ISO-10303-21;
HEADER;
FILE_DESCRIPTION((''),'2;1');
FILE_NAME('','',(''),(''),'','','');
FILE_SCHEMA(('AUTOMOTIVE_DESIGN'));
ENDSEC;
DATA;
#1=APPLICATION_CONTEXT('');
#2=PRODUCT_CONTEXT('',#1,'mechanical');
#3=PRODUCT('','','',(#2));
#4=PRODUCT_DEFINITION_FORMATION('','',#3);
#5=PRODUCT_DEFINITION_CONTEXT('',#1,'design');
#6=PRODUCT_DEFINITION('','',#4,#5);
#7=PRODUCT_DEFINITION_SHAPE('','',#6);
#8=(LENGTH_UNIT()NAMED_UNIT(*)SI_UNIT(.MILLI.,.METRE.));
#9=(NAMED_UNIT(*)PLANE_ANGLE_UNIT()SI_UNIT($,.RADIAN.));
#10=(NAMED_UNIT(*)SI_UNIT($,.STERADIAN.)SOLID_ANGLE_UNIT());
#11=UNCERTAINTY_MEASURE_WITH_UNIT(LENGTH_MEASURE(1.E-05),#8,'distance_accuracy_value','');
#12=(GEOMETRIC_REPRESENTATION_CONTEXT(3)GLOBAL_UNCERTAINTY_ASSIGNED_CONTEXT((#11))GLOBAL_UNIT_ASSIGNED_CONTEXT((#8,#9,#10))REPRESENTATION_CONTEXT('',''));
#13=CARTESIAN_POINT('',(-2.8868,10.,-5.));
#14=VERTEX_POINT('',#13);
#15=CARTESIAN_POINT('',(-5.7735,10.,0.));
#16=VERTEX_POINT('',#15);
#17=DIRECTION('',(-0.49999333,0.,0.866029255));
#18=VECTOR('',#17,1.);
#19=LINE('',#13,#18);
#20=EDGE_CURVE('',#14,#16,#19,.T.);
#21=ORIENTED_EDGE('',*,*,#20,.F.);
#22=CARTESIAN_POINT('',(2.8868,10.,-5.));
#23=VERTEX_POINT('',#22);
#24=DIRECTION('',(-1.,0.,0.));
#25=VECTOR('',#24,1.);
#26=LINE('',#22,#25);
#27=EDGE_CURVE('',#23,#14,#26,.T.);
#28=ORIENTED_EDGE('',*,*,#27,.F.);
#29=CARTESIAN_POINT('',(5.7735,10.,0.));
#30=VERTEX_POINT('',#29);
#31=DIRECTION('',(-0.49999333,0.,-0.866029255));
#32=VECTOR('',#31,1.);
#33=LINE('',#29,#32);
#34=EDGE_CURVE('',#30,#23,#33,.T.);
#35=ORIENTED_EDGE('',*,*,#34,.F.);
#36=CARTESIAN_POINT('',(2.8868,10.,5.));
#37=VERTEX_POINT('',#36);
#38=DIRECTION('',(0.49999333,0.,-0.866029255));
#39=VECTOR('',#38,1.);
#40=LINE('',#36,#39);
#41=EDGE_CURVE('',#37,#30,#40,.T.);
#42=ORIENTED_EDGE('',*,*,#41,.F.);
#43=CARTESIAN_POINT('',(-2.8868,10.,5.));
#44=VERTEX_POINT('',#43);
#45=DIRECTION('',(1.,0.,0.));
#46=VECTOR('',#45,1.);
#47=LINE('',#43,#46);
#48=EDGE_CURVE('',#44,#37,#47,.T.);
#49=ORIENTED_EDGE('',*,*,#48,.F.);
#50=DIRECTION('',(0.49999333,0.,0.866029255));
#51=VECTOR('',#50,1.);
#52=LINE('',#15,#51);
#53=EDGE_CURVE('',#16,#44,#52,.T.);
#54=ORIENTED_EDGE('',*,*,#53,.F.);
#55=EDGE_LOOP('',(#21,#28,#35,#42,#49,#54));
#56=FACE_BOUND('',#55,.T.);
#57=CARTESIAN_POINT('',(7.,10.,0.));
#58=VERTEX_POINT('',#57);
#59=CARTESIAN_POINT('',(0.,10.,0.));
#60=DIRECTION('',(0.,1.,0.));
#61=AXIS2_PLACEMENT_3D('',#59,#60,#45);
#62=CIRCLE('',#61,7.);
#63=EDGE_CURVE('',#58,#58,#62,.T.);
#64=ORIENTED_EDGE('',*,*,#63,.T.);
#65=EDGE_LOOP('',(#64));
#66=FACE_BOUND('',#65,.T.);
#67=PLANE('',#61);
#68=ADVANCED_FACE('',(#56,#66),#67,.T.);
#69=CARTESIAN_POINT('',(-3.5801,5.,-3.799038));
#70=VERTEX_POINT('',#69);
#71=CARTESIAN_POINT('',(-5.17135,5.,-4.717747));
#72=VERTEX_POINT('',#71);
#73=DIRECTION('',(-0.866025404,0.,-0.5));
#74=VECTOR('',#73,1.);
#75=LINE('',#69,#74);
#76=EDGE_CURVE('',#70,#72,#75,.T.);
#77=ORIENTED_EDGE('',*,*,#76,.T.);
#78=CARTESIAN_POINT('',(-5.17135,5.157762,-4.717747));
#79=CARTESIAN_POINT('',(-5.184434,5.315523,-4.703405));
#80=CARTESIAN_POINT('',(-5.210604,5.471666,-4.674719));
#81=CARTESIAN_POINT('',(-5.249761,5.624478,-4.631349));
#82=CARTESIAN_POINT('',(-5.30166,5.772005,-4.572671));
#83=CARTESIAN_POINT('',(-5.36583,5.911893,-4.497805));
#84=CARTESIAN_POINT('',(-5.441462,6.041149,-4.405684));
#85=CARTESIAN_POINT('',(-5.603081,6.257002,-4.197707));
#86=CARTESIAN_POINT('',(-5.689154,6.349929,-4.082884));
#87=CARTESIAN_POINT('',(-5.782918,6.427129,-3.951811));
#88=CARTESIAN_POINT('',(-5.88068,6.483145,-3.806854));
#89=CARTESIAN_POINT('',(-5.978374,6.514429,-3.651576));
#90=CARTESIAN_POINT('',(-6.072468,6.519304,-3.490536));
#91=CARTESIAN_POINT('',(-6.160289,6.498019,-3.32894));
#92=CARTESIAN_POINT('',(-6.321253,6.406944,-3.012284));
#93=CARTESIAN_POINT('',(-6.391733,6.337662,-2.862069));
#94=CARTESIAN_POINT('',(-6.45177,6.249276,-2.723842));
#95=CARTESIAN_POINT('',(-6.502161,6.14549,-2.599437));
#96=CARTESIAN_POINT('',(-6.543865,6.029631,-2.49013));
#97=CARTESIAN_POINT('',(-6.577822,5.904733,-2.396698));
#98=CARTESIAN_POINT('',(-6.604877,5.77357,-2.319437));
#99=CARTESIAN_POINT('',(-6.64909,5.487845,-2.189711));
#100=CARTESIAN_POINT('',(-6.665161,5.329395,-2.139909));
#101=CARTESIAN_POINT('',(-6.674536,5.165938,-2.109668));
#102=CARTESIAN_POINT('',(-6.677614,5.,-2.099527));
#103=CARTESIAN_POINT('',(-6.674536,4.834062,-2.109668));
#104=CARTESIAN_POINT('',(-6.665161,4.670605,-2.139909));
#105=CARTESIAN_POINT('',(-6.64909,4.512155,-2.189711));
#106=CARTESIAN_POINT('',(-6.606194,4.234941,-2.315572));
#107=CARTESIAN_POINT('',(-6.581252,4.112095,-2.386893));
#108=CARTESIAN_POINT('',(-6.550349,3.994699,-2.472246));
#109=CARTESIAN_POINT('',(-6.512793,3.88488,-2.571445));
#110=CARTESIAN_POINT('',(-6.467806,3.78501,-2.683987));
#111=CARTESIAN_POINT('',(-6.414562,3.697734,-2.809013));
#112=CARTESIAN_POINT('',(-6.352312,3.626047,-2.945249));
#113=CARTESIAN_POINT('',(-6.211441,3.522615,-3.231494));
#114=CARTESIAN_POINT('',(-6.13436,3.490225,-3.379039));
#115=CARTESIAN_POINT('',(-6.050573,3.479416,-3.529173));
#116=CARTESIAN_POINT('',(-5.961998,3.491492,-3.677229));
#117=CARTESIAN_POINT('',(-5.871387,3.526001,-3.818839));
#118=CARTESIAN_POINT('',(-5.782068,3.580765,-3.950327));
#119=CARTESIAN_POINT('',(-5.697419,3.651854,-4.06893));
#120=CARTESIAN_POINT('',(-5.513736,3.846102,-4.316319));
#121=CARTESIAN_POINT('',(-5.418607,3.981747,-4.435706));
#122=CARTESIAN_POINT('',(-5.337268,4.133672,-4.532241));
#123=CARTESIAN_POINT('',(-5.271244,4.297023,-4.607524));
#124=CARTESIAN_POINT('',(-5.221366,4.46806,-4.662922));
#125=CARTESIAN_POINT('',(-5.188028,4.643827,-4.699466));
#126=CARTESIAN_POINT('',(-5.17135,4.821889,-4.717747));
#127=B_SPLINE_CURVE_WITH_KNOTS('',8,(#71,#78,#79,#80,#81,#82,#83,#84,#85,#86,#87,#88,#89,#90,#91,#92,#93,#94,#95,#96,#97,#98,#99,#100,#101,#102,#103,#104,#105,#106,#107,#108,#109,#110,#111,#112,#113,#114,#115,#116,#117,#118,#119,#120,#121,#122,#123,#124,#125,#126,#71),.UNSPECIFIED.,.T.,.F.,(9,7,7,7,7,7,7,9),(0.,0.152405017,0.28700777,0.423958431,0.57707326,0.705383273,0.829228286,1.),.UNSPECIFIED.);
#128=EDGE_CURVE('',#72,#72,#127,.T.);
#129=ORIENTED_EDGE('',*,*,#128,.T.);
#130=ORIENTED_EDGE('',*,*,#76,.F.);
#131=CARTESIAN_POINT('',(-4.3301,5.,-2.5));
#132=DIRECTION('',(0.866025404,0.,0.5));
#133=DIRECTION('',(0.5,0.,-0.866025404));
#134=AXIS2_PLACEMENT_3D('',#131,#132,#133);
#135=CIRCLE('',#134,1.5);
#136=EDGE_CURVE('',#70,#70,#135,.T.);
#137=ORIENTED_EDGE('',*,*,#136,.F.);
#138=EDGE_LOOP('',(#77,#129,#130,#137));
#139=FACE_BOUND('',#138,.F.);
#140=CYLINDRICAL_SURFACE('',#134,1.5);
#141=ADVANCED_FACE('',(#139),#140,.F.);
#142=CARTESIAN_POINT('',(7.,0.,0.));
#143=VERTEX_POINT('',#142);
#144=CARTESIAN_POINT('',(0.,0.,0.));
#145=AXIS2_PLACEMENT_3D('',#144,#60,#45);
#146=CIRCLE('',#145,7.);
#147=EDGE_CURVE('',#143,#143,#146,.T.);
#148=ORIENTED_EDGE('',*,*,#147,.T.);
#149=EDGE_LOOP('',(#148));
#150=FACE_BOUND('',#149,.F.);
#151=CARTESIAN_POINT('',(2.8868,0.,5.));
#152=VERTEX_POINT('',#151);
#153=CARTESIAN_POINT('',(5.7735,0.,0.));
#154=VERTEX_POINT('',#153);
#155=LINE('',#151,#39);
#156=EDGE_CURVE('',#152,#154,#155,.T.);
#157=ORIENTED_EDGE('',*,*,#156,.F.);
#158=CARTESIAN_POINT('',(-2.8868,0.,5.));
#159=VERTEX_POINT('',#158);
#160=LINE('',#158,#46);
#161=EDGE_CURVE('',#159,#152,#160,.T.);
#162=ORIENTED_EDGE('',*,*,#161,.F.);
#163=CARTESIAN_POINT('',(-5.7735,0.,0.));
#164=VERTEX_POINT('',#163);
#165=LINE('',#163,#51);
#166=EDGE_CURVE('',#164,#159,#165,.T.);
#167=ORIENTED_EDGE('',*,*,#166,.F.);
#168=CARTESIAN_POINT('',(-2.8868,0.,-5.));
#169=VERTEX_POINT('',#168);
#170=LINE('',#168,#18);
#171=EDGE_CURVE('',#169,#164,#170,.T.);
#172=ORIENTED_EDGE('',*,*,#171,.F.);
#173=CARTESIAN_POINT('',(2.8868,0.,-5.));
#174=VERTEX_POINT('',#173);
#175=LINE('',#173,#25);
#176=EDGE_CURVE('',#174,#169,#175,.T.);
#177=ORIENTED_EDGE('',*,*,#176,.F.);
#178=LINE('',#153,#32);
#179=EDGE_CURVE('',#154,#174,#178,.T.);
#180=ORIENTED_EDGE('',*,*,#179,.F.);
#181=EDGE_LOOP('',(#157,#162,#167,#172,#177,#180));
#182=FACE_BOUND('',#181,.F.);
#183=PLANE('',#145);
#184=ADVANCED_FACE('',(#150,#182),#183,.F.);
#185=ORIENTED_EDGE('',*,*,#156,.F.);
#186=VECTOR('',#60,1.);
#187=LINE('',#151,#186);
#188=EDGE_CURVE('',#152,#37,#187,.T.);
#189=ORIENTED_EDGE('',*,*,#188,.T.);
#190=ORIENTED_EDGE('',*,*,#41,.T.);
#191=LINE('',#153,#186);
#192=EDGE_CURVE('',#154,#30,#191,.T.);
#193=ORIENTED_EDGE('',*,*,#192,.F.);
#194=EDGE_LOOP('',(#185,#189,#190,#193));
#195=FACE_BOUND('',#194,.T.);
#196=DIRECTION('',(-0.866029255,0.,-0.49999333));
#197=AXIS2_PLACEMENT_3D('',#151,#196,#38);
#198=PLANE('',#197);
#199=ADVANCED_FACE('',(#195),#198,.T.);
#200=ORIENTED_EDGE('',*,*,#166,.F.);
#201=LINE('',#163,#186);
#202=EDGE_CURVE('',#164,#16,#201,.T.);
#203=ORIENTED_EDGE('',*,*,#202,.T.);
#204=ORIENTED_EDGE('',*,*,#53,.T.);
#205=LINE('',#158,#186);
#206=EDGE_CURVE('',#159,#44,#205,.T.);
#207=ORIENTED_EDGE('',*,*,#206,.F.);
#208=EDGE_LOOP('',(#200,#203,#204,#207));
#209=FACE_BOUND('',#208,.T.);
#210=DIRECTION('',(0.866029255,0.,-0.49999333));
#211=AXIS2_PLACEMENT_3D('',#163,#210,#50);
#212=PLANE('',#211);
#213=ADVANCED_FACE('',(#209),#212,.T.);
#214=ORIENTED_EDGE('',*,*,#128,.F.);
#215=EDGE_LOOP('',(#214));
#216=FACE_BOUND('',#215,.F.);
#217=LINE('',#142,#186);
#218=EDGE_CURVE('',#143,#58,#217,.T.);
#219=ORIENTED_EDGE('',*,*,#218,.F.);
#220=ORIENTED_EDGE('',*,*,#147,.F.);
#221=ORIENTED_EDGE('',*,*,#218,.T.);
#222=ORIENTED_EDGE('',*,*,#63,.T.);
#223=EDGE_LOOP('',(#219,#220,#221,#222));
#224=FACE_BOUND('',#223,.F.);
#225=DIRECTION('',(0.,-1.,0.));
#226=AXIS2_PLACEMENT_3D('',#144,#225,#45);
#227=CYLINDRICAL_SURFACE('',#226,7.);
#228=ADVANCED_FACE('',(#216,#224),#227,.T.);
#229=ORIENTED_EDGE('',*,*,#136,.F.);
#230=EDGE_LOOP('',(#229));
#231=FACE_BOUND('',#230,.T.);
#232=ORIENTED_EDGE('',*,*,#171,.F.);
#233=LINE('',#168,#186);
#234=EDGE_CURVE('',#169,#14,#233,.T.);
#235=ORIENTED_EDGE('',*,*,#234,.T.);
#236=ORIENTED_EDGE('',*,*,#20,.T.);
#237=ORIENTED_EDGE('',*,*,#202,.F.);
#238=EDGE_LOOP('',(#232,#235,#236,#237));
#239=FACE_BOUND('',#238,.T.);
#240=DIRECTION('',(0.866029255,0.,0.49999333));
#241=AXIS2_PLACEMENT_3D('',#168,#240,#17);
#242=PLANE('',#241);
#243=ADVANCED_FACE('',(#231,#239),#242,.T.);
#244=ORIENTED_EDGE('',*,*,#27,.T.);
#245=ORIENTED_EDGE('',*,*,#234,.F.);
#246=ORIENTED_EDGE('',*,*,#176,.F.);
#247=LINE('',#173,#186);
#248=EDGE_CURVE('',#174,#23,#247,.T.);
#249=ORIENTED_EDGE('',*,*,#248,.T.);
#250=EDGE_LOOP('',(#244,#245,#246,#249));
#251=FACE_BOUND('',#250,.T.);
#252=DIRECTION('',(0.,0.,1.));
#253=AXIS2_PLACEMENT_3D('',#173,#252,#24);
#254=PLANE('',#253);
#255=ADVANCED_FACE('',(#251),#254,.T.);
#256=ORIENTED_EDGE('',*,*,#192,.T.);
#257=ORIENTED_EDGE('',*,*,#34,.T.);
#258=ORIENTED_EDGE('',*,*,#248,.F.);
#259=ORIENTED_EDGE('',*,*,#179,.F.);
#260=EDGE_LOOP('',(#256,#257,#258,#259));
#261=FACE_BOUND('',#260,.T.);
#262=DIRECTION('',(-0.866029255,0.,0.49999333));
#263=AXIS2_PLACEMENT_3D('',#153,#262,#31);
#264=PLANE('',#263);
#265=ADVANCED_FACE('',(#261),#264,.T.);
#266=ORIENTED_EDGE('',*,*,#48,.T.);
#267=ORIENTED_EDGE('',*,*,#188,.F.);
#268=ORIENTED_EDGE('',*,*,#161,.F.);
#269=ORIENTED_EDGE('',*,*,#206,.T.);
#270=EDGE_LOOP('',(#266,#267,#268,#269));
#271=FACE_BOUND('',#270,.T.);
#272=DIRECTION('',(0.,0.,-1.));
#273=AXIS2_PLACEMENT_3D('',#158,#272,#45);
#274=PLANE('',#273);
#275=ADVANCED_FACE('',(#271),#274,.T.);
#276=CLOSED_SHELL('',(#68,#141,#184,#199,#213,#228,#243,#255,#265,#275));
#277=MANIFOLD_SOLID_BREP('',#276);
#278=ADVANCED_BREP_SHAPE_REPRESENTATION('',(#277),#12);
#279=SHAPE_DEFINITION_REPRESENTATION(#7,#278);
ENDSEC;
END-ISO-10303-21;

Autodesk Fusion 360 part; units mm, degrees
sketch "Sketch1" plane through (0, 0, 0) normal (0, 1, 0) x (1, 0, 0)
  line L0 (-2.8868, 5) -> (-5.7735, 0)
  line L1 (-5.7735, 0) -> (-2.8868, -5)
  line L2 (-2.8868, -5) -> (2.8868, -5)
  line L3 (2.8868, -5) -> (5.7735, 0)
  line L4 (5.7735, 0) -> (2.8868, 5)
  line L5 (2.8868, 5) -> (-2.8868, 5)
  circle A0 centre (0, 0) radius 7
  dimension "d1" = 5
  dimension "d2" = 14
extrude "Extrude1" add sketch "Sketch1" along normal blind 10
sketch "Sketch2" plane through (-4.3301, 0, -2.5) normal (0.866, 0, 0.5) x (0.5, 0, -0.866)
  line L0 (-2.8868, 0) -> (2.8868, 0)
  line L1 (2.8868, 0) -> (2.8868, 10)
  line L2 (2.8868, 10) -> (-2.8868, 10)
  line L3 (-2.8868, 10) -> (-2.8868, 0)
  circle A0 centre (0, 5) radius 1.5
  dimension "d5" = 3
  dimension "d6" = 5
extrude "Extrude2" cut sketch "Sketch2" against normal through all contours A0
